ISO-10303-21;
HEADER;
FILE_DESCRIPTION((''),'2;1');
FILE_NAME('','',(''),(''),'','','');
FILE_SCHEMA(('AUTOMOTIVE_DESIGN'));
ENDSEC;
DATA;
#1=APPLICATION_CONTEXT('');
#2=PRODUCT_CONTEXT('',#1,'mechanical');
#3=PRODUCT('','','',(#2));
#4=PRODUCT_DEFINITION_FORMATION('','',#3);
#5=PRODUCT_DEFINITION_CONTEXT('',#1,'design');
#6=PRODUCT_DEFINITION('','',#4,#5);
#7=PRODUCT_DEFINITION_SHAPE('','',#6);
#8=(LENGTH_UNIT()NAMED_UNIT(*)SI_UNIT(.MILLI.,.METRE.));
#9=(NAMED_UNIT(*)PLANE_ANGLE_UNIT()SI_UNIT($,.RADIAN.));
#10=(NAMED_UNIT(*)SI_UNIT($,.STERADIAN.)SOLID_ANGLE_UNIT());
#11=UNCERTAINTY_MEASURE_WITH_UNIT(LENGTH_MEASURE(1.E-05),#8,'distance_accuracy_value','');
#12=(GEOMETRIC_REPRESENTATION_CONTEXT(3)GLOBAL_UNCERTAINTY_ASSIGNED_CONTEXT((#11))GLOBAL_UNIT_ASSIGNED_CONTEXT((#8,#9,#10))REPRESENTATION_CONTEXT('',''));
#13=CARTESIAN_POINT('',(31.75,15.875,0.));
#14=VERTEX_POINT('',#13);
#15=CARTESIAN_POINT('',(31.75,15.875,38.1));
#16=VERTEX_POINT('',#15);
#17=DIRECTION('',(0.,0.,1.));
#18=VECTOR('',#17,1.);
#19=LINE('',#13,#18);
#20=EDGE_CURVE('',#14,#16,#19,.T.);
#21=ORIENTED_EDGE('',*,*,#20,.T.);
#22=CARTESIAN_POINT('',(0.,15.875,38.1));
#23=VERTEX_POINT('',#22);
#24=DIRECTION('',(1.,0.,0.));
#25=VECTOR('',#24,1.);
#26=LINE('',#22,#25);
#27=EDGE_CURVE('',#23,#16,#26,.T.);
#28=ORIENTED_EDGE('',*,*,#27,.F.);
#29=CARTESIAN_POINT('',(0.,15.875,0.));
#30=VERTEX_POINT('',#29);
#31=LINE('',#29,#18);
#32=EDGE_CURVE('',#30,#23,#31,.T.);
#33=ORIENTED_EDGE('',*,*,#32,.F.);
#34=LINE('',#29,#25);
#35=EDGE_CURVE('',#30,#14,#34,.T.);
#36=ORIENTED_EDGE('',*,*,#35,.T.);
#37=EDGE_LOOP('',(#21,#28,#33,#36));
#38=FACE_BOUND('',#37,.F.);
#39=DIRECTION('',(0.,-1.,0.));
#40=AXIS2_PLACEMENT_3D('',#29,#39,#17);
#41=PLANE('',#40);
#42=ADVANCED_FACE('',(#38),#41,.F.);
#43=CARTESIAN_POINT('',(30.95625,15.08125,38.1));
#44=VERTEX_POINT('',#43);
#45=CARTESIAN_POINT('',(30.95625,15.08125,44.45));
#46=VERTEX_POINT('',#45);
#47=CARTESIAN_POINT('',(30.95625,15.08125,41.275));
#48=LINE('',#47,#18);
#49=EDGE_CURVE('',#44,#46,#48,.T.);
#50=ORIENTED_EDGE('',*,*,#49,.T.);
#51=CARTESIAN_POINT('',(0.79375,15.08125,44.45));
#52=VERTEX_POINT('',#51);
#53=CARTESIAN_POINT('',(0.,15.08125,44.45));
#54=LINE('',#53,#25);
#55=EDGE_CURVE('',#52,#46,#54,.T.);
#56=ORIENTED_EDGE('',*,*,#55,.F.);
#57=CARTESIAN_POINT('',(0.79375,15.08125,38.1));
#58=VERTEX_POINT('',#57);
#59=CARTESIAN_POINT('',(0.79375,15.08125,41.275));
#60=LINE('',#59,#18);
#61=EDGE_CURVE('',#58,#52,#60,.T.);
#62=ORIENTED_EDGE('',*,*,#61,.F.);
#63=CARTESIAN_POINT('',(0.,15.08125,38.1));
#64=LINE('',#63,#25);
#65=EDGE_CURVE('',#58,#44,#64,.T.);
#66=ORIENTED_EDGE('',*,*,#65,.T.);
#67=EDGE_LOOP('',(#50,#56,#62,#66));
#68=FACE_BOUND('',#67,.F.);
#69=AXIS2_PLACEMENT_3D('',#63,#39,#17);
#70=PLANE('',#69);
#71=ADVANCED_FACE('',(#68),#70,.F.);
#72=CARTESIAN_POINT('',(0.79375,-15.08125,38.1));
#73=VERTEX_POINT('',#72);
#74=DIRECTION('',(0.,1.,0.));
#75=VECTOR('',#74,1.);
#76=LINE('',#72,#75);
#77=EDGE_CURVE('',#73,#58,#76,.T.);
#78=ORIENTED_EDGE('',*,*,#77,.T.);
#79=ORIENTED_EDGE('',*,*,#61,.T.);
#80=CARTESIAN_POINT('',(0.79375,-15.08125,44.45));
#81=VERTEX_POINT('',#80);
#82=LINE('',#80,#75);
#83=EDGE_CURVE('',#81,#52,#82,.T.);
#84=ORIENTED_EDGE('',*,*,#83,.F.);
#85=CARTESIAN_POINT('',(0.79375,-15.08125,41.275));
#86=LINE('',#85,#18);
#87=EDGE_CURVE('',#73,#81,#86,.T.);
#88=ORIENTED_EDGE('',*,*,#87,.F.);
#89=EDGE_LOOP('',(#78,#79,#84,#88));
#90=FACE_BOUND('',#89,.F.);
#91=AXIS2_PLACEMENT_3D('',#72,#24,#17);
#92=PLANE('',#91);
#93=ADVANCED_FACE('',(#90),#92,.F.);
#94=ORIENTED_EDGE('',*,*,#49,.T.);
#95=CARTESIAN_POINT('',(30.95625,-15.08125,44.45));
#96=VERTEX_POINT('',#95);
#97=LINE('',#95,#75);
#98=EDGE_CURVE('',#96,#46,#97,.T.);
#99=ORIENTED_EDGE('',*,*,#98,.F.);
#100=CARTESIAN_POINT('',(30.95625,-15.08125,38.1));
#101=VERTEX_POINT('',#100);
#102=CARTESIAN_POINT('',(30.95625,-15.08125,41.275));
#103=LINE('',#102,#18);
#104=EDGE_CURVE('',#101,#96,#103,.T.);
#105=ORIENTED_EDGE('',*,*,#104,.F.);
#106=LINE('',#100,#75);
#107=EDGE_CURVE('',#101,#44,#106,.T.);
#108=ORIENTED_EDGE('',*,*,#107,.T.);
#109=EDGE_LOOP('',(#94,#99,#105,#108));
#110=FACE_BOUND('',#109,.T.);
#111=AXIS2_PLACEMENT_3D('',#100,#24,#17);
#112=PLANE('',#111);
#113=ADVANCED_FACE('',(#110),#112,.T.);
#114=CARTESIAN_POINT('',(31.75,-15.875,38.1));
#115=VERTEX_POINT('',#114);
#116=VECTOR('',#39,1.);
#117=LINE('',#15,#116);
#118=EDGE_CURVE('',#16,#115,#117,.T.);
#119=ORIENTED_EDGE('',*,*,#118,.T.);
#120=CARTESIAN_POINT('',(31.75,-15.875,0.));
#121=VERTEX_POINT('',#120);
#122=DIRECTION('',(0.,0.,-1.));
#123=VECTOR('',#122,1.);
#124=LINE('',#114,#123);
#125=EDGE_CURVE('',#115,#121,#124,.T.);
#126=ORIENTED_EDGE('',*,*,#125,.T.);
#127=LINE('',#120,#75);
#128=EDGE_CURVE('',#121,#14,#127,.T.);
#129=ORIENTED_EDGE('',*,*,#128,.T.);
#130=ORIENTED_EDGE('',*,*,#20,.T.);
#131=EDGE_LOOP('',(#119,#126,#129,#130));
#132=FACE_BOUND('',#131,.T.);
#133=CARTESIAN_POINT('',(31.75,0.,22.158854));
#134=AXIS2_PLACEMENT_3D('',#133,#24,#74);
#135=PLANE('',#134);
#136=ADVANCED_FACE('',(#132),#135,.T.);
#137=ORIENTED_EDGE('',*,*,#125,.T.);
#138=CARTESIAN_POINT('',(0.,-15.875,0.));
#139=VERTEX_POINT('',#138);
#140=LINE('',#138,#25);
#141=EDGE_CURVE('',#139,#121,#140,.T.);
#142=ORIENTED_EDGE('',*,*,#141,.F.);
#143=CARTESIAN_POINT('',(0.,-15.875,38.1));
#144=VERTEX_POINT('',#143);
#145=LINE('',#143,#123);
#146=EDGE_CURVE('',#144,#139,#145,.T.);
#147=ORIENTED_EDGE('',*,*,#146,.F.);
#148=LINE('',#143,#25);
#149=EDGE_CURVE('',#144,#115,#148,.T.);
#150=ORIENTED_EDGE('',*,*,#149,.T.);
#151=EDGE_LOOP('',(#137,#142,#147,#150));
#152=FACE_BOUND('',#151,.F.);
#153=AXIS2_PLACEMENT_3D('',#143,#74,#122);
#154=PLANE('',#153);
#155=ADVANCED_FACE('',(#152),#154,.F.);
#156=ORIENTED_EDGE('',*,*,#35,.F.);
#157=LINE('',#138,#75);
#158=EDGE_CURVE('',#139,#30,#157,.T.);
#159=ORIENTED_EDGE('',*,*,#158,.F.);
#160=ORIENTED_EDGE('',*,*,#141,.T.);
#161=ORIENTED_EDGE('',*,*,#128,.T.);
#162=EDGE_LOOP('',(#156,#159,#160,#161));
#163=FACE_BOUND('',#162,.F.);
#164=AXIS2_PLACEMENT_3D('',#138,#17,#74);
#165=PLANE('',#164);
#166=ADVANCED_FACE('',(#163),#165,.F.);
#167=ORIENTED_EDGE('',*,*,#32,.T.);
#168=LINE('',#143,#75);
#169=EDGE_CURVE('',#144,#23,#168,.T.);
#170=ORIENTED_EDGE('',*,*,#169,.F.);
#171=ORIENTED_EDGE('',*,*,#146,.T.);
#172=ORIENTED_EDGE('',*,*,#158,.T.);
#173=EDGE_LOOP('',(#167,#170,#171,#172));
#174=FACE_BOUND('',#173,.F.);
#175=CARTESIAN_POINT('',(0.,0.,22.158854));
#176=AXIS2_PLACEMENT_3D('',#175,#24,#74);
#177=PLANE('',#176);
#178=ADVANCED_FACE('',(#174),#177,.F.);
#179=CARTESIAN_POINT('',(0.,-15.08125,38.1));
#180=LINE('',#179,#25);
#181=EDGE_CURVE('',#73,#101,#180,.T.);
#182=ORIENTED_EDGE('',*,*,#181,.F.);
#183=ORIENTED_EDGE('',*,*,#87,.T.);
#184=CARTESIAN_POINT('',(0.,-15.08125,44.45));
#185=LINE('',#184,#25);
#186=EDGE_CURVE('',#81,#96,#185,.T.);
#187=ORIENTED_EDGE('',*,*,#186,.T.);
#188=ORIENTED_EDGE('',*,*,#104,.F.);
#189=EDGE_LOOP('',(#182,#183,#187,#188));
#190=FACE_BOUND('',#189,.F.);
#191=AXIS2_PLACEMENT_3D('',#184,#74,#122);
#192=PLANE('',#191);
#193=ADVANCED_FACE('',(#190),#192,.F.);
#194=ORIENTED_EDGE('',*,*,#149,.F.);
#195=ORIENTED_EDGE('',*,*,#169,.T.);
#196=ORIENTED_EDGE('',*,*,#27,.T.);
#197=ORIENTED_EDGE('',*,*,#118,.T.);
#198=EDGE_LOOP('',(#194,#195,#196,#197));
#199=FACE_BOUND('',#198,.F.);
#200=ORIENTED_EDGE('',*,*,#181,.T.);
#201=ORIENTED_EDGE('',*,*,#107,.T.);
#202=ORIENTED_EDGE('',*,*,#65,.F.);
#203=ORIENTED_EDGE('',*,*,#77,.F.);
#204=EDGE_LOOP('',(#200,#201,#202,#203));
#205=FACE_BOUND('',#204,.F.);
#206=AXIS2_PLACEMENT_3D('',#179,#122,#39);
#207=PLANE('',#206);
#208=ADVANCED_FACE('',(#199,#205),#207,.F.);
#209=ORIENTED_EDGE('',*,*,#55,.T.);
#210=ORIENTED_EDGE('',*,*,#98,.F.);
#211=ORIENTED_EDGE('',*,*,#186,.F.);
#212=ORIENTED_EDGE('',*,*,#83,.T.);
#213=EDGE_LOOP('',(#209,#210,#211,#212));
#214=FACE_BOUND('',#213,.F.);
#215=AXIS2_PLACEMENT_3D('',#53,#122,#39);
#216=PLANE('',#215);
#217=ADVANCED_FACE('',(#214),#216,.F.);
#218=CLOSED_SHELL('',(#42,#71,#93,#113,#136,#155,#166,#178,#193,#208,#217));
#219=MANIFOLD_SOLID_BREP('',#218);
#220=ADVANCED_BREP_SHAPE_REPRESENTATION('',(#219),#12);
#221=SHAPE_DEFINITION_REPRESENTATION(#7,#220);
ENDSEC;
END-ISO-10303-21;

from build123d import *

# Parameters (mm, degrees)
F1_DEPTH = 31.75
F2_W     = 0.79375
F2_H     = 6.35
F3_DEPTH = 30.1625


with BuildPart() as f1:
    # F0 (on Right) → F1 (new body)
    with BuildSketch(Plane.YZ):
        Polygon((-15.875, 0), (0, 0), (15.875, 0), (15.875, 38.1), (15.08125, 38.1), (15.08125, 44.45), (0, 44.45), (-15.08125, 44.45), (-15.08125, 38.1), (-15.875, 38.1), align=None)
    extrude(amount=F1_DEPTH)

    # F2 (on face) → F3 (cut, through all)
    with BuildSketch(Plane.XZ.offset(15.08125)):
        with Locations((0.396875, 41.275)):
            Rectangle(F2_W, F2_H)
        with Locations((31.353125, 41.275)):
            Rectangle(F2_W, F2_H)
    extrude(amount=-F3_DEPTH, mode=Mode.SUBTRACT)


solid = f1.part
